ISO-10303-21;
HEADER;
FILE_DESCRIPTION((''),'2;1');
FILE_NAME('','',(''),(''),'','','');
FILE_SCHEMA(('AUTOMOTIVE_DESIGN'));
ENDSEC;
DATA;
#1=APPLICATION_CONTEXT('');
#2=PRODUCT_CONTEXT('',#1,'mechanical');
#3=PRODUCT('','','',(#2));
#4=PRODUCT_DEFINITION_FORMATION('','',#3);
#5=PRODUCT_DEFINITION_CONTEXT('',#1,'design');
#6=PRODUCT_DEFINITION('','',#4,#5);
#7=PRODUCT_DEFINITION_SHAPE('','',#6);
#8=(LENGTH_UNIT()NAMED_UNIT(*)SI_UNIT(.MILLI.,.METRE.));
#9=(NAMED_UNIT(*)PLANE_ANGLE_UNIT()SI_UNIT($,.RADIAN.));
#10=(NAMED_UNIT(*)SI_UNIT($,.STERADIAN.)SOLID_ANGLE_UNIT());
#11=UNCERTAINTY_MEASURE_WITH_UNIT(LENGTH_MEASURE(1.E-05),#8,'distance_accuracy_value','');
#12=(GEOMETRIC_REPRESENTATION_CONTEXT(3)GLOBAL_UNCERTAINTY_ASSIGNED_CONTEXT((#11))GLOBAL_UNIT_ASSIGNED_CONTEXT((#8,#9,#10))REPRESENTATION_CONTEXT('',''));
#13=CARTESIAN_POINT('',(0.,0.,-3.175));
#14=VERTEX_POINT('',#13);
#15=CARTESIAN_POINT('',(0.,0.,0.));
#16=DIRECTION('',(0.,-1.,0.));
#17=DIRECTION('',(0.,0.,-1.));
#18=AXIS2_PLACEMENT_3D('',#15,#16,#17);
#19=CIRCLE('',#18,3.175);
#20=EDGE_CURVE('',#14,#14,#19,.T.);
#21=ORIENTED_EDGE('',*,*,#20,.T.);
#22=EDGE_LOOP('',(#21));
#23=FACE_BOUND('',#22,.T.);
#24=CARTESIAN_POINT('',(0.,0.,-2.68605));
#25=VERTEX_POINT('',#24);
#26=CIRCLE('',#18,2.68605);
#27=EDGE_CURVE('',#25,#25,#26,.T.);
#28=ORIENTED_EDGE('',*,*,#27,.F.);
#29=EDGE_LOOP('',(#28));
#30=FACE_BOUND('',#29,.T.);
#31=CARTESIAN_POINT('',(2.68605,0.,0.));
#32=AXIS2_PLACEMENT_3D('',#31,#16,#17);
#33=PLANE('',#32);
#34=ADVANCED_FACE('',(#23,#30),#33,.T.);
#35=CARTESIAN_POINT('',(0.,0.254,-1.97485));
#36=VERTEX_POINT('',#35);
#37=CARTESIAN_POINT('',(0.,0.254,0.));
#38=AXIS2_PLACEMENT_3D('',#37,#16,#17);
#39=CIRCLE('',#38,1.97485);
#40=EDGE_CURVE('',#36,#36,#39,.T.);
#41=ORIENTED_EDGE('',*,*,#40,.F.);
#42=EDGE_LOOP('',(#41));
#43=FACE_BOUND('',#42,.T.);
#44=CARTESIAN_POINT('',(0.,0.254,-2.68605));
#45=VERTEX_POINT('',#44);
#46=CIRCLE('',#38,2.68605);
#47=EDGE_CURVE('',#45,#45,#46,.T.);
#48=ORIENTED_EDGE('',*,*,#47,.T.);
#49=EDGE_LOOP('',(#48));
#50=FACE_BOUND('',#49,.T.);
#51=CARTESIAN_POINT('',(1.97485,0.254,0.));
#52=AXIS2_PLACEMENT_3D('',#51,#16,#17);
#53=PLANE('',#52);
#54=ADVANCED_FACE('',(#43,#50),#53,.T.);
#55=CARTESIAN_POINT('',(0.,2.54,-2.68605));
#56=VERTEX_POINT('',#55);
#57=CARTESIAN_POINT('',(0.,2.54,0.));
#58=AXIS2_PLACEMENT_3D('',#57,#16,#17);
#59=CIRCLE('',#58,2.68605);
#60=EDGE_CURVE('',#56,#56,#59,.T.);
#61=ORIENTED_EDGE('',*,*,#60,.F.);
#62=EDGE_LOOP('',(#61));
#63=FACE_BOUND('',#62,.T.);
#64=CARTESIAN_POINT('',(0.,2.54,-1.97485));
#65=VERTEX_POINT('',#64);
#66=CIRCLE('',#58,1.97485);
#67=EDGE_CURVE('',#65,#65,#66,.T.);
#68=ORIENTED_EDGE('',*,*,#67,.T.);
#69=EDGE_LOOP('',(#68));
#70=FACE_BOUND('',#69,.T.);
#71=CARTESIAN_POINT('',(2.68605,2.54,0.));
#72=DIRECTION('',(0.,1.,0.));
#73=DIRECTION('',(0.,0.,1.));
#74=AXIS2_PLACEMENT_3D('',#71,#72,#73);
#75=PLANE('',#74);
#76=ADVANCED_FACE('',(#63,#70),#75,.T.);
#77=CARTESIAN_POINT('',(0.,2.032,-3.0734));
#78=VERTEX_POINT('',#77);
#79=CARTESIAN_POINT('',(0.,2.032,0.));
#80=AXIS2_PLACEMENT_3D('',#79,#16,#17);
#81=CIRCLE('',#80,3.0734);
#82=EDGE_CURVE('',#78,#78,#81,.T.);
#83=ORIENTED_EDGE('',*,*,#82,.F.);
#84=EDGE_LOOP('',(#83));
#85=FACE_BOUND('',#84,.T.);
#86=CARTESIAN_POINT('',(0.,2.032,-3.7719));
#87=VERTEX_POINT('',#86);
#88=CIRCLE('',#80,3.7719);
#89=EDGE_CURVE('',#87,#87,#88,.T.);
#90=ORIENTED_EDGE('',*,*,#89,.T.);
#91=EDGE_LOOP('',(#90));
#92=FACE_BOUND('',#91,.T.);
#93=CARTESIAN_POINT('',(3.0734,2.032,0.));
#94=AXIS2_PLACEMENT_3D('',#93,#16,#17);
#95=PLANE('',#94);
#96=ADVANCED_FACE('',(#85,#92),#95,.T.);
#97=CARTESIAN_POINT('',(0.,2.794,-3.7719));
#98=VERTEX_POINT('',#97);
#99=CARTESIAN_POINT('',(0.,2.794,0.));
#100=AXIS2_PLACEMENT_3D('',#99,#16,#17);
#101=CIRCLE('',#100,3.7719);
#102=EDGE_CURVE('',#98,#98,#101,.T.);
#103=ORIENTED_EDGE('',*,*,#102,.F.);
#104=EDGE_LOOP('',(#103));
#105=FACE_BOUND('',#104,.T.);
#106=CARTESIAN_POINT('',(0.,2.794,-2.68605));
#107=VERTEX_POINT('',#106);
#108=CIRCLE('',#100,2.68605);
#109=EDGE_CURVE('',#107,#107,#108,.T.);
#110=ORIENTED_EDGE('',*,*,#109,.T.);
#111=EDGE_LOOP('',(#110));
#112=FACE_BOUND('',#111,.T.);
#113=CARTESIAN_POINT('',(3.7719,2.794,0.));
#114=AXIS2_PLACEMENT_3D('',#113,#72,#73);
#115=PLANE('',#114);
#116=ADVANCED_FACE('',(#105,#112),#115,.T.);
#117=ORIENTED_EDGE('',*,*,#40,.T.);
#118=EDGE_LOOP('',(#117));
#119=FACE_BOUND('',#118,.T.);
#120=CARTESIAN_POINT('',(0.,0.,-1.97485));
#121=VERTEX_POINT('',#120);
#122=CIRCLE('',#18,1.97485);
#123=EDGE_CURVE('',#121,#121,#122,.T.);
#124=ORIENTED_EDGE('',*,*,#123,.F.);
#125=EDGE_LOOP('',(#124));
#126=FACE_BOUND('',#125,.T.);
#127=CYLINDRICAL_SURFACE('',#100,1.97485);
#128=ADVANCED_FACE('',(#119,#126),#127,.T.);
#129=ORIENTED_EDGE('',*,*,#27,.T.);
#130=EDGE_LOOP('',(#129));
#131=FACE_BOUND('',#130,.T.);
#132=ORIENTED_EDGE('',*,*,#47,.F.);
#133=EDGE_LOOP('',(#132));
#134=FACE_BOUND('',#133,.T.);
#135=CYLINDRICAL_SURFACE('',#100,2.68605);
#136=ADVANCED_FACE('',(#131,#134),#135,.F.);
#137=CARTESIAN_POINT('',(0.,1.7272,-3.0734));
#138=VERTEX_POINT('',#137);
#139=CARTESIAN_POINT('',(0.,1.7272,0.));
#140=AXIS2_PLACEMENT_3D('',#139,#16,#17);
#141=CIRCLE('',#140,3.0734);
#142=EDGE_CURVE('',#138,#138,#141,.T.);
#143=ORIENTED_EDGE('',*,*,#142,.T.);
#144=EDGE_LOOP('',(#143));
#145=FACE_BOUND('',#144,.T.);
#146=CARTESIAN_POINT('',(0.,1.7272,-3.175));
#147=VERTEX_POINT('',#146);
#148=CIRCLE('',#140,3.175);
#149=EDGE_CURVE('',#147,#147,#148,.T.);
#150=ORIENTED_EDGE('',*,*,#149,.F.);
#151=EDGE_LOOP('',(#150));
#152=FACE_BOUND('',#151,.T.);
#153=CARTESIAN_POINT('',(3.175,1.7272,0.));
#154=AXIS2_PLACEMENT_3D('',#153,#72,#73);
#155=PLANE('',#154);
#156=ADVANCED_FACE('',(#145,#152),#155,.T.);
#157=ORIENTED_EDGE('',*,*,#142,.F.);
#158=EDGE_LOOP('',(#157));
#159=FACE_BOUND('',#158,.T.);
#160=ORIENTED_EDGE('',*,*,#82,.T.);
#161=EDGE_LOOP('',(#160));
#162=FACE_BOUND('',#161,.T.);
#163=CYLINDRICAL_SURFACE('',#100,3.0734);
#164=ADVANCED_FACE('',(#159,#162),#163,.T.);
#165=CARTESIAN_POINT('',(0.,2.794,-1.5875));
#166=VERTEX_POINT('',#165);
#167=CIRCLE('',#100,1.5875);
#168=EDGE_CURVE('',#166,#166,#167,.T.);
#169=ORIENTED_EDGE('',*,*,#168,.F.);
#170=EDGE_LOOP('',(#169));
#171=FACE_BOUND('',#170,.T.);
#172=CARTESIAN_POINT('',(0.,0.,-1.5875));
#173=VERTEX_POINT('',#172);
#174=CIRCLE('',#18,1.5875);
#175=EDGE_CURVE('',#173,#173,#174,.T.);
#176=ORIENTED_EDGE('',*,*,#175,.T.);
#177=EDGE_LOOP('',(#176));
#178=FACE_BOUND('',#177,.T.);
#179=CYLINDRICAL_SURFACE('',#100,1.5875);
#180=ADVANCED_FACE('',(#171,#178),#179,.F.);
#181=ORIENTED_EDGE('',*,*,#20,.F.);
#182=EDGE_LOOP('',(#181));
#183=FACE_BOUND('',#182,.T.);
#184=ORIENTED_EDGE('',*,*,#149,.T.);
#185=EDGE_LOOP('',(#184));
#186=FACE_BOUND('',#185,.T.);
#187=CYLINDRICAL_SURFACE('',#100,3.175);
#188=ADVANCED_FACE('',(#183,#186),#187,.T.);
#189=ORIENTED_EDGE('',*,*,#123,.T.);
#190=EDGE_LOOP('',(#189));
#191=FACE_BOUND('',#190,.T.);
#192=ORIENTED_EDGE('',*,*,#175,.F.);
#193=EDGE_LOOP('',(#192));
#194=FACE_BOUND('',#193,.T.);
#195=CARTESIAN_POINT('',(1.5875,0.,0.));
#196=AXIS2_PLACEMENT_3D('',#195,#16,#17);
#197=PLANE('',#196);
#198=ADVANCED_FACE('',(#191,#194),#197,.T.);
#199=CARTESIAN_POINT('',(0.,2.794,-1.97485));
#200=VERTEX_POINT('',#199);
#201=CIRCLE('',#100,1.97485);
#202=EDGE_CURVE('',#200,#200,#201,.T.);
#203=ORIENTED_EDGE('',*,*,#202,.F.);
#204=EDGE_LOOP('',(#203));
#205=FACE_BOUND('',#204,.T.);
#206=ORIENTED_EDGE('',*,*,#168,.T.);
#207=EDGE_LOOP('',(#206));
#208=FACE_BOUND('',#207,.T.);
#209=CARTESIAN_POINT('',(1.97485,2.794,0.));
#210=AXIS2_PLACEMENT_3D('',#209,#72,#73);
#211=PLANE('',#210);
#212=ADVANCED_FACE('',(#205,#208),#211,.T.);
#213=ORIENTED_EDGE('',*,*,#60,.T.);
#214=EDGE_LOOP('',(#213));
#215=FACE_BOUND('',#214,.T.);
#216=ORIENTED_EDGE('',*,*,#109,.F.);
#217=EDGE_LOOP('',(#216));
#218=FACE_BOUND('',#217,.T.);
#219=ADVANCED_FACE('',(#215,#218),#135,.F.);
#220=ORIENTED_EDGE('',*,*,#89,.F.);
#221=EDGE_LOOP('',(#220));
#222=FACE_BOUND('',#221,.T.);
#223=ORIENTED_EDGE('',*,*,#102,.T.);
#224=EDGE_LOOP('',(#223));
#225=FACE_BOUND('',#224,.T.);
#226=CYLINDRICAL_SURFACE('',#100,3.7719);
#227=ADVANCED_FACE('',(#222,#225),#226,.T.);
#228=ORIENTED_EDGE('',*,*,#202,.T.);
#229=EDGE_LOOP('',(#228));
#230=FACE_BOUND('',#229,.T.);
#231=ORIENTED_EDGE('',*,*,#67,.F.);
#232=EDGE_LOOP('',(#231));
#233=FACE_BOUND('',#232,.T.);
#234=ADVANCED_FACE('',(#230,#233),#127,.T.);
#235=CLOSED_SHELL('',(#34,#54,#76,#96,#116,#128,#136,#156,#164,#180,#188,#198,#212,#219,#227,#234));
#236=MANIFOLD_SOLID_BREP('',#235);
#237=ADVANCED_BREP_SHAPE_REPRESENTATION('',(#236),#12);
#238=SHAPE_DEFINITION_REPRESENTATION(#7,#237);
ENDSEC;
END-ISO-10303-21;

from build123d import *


with BuildPart() as part:
    # Sketch1 → Revolve1 (revolve)
    with BuildSketch(Plane.XY, mode=Mode.PRIVATE) as revolve1_sk:
        Polygon((1.97485, 0.254), (2.68605, 0.254), (2.68605, 0), (3.175, 0), (3.175, 1.7272), (3.0734, 1.7272), (3.0734, 2.032), (3.7719, 2.032), (3.7719, 2.794), (2.68605, 2.794), (2.68605, 2.54), (1.97485, 2.54), (1.97485, 2.794), (1.5875, 2.794), (1.5875, 0), (1.97485, 0), align=None)
    revolve(revolve1_sk.sketch.rotate(Axis((0, 2.794, 0), (0, -1, 0)), 270), axis=Axis((0, 2.794, 0), (0, -1, 0)))


solid = part.part
